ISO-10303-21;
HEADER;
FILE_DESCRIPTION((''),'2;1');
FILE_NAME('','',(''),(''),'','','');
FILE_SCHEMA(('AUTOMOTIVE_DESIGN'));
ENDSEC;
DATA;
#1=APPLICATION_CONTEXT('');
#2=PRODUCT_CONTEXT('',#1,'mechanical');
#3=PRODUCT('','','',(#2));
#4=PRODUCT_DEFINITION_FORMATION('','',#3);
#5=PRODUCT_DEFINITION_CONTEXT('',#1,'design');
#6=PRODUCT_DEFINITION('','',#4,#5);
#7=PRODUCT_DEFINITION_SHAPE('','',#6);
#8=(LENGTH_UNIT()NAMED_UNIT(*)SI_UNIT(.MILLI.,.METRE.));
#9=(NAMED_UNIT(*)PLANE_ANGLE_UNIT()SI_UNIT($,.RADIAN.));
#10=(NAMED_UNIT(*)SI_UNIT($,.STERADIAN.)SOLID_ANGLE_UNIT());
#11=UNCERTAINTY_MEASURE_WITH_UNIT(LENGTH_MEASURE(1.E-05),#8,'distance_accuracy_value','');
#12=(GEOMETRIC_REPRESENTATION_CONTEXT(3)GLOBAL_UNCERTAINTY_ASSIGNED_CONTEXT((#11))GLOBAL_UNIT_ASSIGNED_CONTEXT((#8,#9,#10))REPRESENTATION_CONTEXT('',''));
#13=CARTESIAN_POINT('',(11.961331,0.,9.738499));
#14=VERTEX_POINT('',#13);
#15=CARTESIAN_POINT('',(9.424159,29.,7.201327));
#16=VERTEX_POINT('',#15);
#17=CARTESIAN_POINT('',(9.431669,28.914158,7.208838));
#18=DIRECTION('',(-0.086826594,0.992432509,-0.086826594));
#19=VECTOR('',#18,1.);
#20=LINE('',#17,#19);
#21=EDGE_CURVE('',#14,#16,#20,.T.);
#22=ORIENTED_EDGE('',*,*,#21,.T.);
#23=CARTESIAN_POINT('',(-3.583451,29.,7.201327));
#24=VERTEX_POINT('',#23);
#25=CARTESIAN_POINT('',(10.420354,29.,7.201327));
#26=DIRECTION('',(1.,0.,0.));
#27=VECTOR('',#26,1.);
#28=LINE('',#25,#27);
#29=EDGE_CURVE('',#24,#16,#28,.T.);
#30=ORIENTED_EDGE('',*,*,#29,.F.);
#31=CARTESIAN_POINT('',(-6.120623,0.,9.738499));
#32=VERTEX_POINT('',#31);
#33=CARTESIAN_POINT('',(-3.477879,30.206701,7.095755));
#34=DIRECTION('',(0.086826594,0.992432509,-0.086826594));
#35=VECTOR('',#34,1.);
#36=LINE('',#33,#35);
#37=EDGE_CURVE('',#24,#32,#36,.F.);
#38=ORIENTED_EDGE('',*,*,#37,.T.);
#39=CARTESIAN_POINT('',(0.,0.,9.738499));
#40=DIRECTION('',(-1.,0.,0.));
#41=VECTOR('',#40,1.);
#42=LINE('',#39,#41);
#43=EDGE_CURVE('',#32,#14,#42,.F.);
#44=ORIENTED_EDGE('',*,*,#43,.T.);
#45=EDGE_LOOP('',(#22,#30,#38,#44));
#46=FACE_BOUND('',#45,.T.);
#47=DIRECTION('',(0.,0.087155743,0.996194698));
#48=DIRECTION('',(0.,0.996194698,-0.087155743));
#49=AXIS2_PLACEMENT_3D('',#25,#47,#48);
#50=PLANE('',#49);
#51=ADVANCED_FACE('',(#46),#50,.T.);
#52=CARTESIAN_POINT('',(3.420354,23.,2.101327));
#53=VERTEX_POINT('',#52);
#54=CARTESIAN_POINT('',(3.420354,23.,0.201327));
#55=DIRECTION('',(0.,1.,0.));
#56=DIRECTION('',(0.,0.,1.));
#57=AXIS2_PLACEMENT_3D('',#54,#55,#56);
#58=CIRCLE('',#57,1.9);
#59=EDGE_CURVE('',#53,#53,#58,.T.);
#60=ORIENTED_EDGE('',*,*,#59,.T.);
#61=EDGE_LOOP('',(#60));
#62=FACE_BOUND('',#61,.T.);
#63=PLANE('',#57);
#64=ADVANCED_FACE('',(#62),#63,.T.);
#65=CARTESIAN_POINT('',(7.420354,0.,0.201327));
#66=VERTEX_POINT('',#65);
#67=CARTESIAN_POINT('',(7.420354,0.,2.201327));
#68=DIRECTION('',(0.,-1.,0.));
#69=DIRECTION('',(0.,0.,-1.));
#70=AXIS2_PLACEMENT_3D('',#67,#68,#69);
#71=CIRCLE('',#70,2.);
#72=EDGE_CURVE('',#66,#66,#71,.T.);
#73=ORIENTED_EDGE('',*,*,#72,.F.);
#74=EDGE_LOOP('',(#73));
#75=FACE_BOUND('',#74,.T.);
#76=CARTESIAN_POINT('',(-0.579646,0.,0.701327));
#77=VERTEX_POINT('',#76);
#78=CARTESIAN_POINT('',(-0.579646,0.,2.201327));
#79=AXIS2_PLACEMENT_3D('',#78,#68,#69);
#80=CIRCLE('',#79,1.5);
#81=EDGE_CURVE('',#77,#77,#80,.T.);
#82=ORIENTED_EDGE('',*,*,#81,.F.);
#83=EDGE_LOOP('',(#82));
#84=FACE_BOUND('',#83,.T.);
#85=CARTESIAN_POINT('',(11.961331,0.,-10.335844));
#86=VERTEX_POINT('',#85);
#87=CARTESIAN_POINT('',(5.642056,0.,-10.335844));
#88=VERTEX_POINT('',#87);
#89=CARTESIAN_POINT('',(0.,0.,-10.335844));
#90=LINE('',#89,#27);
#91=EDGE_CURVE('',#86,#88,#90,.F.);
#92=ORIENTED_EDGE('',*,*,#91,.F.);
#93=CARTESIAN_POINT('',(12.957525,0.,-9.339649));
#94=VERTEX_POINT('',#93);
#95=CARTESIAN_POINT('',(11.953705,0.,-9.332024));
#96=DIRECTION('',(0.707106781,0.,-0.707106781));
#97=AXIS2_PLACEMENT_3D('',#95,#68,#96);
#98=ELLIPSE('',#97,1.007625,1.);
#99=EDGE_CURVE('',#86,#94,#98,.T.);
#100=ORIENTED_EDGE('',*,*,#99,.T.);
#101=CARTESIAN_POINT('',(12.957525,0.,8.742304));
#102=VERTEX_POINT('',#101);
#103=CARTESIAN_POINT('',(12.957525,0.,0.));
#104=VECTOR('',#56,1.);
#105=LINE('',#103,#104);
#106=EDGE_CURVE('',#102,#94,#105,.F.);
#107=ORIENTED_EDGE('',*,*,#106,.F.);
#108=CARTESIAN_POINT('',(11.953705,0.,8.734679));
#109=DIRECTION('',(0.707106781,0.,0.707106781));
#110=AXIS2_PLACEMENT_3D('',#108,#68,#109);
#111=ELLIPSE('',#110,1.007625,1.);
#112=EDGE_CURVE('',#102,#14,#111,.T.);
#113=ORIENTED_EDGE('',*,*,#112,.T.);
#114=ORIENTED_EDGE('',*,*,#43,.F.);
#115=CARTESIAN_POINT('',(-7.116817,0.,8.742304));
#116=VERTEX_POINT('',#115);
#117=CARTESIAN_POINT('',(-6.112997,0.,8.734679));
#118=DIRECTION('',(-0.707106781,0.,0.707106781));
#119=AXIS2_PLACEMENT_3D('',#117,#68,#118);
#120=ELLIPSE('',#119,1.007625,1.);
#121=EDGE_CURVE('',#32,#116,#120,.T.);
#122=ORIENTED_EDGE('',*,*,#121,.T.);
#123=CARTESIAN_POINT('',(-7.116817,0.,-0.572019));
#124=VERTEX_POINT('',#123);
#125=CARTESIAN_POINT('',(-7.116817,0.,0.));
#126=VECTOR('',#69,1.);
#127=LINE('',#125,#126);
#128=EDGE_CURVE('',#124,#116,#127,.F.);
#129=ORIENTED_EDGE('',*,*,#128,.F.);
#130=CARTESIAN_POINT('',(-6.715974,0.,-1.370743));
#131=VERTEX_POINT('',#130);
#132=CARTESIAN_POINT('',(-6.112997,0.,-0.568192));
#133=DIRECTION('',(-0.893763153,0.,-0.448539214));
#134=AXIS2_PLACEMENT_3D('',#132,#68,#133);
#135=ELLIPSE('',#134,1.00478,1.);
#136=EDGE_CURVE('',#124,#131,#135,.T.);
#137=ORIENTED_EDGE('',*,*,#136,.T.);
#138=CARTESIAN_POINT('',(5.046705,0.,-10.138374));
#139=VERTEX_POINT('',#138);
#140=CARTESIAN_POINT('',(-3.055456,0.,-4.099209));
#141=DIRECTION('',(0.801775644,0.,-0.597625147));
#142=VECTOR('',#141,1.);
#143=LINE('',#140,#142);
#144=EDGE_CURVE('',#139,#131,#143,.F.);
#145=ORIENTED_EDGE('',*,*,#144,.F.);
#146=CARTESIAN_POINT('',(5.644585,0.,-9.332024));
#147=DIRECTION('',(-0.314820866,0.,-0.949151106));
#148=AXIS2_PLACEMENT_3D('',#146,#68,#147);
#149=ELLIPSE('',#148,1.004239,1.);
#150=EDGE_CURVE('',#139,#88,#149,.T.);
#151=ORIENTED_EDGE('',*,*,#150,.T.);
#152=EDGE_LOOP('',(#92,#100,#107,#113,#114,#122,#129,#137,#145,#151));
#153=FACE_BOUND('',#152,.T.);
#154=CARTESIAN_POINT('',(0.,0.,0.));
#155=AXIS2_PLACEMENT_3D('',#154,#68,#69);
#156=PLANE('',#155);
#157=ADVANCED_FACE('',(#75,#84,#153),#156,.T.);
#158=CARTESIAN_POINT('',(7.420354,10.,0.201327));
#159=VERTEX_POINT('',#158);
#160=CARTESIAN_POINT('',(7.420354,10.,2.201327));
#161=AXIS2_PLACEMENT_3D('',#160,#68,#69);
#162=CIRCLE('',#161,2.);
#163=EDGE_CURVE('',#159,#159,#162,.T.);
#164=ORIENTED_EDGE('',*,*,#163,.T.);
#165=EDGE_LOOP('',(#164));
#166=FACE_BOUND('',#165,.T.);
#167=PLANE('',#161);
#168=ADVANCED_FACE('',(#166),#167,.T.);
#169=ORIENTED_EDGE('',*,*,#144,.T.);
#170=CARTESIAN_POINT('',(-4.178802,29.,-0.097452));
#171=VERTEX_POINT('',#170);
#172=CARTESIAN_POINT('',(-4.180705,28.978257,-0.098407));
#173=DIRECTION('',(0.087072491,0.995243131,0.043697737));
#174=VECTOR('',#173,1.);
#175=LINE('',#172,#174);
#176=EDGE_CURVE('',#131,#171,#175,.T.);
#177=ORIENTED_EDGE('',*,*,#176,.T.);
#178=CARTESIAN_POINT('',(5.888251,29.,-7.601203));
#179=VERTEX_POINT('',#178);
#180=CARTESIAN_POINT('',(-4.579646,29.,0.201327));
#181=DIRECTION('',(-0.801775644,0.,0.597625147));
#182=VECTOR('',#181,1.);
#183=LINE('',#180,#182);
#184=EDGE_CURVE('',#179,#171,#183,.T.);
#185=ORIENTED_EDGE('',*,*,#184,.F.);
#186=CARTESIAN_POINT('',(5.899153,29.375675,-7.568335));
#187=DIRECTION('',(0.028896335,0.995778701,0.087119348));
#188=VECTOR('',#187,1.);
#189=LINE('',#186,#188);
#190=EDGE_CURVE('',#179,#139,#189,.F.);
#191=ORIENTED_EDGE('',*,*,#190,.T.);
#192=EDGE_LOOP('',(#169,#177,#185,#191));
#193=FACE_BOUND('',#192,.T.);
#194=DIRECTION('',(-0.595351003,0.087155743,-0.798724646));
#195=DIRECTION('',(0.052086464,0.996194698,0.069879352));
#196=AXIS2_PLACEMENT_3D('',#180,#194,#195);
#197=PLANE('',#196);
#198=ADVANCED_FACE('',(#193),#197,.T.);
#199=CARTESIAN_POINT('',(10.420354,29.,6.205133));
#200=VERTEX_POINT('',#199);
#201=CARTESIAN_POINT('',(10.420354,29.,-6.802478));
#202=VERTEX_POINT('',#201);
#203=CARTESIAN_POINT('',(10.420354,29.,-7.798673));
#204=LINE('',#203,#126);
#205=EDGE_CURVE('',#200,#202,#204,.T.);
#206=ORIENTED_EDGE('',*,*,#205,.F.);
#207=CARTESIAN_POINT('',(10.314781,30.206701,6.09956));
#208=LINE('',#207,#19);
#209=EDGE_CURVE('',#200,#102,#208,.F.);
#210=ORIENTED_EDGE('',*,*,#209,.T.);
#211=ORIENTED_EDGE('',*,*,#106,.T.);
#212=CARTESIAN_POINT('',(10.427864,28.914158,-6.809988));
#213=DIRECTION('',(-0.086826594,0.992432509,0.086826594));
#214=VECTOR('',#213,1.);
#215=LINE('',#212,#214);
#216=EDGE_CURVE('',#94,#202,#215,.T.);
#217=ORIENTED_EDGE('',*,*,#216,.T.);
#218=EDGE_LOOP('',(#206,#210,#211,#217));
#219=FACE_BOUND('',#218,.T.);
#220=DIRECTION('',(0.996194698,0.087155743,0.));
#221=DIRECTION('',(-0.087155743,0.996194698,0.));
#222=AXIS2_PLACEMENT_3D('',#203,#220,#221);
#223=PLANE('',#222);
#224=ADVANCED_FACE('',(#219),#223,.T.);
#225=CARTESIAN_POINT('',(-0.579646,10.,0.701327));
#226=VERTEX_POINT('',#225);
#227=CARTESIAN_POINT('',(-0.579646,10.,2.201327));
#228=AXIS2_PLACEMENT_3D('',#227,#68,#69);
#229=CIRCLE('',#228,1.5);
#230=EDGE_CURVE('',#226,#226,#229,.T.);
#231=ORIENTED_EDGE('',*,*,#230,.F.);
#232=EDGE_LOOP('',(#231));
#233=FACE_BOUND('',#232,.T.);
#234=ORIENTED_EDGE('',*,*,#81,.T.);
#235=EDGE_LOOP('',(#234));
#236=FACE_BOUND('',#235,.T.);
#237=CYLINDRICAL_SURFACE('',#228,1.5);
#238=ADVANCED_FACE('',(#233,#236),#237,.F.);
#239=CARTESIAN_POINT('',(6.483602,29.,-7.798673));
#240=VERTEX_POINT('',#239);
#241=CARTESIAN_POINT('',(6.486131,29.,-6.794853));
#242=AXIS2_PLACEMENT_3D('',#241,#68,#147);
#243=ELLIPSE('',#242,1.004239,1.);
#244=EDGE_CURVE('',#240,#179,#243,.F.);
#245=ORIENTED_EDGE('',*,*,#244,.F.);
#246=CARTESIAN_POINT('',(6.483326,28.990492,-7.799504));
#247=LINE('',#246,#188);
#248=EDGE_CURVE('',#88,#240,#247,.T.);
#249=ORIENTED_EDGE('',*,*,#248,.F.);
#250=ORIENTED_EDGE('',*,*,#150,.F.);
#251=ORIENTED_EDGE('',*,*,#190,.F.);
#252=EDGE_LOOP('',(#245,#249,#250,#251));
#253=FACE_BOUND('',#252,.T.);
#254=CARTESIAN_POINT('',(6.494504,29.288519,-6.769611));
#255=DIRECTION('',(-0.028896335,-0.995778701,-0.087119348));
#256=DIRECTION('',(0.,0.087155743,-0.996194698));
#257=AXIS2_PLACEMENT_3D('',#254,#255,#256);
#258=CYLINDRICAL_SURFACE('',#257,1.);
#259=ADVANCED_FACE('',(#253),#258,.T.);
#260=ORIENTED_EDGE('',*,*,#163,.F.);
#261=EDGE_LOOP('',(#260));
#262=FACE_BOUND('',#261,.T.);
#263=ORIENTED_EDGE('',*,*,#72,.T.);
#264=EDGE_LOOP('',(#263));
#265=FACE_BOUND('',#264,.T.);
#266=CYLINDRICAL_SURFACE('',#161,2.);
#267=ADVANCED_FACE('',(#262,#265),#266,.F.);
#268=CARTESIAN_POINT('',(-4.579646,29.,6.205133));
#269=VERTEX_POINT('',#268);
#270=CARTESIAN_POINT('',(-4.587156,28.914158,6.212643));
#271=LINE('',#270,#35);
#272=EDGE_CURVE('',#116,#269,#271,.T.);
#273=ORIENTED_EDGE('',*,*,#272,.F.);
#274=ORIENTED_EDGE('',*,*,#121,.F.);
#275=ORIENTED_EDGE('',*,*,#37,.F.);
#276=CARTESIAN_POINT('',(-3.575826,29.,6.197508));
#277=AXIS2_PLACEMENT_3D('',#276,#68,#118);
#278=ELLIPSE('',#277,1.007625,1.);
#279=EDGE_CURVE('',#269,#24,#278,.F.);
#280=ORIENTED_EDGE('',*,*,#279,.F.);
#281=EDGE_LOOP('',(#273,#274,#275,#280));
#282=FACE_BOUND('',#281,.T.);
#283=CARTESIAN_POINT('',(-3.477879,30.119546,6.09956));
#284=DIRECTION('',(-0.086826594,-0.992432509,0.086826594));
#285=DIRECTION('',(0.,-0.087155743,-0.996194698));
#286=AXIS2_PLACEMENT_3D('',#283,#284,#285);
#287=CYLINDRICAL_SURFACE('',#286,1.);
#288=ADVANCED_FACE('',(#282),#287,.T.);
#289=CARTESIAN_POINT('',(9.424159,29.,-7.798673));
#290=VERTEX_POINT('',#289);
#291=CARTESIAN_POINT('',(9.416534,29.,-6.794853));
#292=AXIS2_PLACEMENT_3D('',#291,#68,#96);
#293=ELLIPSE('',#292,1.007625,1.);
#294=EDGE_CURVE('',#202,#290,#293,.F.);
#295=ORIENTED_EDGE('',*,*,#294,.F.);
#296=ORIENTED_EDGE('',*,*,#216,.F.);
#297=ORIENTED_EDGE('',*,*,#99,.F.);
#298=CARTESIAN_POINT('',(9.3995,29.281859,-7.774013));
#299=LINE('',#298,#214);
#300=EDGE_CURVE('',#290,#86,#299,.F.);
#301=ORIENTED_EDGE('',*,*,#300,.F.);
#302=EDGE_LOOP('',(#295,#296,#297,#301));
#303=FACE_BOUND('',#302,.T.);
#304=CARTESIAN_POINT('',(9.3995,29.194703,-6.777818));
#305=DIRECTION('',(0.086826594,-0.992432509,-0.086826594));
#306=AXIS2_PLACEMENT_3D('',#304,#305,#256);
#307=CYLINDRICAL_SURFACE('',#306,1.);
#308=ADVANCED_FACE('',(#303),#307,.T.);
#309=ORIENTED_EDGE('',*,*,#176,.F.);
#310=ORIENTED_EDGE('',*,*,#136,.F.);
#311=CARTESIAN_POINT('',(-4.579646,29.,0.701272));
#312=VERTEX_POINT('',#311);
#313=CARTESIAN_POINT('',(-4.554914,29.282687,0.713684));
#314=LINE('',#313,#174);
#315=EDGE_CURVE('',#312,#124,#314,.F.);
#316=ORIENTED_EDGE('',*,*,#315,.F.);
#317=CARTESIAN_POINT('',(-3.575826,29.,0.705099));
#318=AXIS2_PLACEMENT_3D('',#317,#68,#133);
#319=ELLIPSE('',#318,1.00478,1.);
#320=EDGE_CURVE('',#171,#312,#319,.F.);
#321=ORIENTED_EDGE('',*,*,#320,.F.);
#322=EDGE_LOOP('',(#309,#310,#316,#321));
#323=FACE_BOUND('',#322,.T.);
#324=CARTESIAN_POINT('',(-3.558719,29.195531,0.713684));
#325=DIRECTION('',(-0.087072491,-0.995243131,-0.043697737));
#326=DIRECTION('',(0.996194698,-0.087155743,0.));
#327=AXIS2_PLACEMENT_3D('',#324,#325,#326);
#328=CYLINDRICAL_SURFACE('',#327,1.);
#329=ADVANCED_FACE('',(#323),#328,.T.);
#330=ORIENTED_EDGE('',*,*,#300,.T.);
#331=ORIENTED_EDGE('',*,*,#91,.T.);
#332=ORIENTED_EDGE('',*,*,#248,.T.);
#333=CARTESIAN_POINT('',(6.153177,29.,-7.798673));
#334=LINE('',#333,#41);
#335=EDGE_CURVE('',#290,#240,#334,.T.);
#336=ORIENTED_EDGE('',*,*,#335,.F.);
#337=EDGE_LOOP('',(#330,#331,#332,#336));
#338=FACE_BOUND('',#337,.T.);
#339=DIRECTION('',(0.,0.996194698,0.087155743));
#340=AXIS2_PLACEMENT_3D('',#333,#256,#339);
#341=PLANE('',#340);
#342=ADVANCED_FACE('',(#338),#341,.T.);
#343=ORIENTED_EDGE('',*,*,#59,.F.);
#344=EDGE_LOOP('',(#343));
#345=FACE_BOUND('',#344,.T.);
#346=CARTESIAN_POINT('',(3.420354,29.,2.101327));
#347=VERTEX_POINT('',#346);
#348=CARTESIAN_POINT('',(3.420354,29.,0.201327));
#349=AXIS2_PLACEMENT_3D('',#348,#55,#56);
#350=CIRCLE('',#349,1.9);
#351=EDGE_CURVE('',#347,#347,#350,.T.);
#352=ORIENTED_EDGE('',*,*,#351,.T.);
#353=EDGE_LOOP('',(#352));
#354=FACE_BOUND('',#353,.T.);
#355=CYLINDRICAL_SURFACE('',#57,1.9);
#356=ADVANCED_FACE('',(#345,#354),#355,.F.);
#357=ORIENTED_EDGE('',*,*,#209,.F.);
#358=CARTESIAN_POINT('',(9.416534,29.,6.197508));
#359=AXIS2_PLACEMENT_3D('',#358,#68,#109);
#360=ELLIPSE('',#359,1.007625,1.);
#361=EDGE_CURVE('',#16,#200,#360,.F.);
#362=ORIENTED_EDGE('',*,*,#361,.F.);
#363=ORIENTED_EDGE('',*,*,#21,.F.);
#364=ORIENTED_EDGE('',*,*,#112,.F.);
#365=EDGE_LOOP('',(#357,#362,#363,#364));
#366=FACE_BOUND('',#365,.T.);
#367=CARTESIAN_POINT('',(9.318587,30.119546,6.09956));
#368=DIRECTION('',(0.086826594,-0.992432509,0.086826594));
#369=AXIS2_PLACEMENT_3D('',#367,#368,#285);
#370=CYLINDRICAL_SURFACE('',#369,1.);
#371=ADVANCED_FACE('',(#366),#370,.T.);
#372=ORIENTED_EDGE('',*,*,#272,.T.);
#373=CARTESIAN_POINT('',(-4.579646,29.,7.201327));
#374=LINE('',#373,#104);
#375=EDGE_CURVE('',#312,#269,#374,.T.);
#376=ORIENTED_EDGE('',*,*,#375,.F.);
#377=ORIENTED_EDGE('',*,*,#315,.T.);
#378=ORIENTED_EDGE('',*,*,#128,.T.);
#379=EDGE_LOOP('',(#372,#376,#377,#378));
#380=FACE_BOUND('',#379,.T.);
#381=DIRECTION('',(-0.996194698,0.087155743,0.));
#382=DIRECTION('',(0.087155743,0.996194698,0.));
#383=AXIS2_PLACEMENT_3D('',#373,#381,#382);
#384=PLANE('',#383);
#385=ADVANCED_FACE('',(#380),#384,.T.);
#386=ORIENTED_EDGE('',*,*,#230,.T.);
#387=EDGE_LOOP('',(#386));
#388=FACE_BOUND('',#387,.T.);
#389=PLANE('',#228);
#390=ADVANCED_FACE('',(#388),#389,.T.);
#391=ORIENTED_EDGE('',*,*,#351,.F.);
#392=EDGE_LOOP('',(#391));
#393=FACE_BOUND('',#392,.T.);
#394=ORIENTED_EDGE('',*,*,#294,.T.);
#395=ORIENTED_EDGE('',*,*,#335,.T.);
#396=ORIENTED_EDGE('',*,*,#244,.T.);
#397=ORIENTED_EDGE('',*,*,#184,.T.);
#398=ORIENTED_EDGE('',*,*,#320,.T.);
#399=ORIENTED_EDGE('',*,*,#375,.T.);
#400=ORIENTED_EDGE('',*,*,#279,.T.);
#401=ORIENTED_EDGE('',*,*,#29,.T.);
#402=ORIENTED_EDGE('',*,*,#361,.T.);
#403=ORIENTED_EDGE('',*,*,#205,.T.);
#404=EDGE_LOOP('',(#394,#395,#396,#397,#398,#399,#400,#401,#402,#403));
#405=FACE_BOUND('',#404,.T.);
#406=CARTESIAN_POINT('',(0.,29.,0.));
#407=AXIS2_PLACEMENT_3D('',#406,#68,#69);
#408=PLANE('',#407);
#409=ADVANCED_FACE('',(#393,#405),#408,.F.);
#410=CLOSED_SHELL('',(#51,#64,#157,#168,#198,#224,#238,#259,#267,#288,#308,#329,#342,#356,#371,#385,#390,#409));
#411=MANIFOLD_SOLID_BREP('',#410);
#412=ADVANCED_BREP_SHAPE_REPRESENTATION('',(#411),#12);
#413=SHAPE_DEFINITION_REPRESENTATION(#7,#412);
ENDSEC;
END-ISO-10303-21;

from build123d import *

# Parameters (mm, degrees)
BOSS_EXTRUDE1_DEPTH = 29
SKETCH2_R           = 1.5
SKETCH2_R_2         = 2
CUT_EXTRUDE1_DEPTH  = 10
SKETCH3_R           = 1.9
CUT_EXTRUDE2_DEPTH  = 6
DRAFT1_ANGLE        = 5
FILLET1_R           = 1


with BuildPart() as part:
    # Sketch1 → Boss-Extrude1 (new body)
    with BuildSketch(Plane(origin=(0, 0, 0), x_dir=(1, 0, 0), z_dir=(0, 1, 0))):
        Polygon((-4.579646018, -0.201327434), (6.153177369, 7.798672566), (10.420353982, 7.798672566), (10.420353982, -7.201327434), (-4.579646018, -7.201327434), align=None)
    extrude(amount=BOSS_EXTRUDE1_DEPTH)

    # Sketch2 → Cut-Extrude1 (cut)
    with BuildSketch(Plane.XZ):
        with Locations(Location((-0.579646018, 2.201327434, 0), (0, 0, 270))):
            Circle(SKETCH2_R)
        with Locations(Location((7.420353982, 2.201327434, 0), (0, 0, 270))):
            Circle(SKETCH2_R_2)
    extrude(amount=-CUT_EXTRUDE1_DEPTH, mode=Mode.SUBTRACT)

    # Sketch3 → Cut-Extrude2 (cut)
    with BuildSketch(Plane(origin=(0, 29, 0), x_dir=(1, 0, 0), z_dir=(0, 1, 0))):
        with Locations(Location((3.420353982, -0.201327434, 0), (0, 0, 270))):
            Circle(SKETCH3_R)
    extrude(amount=-CUT_EXTRUDE2_DEPTH, mode=Mode.SUBTRACT)

    # Draft1
    draft1_faces = [part.faces().sort_by_distance(p)[0] for p in [
        (8.286765676, 14.5, -7.798672566),
        (10.420353982, 14.5, -0.298672566),
        (2.920353982, 14.5, 7.201327434),
        (-4.579646018, 14.5, 3.701327434),
        (0.786765676, 14.5, -3.798672566),
    ]]
    draft(draft1_faces, Plane.ZX.offset(29), DRAFT1_ANGLE)

    # Fillet1
    fillet1_edges = [part.edges().sort_by_distance(p)[0] for p in [
        (-5.848231639, 14.5, -0.435318187),
        (5.7324043, 14.5, -9.067258187),
        (11.688939603, 14.5, -9.067258187),
        (11.688939603, 14.5, 8.469913055),
        (-5.848231639, 14.5, 8.469913055),
    ]]
    fillet(fillet1_edges, radius=FILLET1_R)


solid = part.part
